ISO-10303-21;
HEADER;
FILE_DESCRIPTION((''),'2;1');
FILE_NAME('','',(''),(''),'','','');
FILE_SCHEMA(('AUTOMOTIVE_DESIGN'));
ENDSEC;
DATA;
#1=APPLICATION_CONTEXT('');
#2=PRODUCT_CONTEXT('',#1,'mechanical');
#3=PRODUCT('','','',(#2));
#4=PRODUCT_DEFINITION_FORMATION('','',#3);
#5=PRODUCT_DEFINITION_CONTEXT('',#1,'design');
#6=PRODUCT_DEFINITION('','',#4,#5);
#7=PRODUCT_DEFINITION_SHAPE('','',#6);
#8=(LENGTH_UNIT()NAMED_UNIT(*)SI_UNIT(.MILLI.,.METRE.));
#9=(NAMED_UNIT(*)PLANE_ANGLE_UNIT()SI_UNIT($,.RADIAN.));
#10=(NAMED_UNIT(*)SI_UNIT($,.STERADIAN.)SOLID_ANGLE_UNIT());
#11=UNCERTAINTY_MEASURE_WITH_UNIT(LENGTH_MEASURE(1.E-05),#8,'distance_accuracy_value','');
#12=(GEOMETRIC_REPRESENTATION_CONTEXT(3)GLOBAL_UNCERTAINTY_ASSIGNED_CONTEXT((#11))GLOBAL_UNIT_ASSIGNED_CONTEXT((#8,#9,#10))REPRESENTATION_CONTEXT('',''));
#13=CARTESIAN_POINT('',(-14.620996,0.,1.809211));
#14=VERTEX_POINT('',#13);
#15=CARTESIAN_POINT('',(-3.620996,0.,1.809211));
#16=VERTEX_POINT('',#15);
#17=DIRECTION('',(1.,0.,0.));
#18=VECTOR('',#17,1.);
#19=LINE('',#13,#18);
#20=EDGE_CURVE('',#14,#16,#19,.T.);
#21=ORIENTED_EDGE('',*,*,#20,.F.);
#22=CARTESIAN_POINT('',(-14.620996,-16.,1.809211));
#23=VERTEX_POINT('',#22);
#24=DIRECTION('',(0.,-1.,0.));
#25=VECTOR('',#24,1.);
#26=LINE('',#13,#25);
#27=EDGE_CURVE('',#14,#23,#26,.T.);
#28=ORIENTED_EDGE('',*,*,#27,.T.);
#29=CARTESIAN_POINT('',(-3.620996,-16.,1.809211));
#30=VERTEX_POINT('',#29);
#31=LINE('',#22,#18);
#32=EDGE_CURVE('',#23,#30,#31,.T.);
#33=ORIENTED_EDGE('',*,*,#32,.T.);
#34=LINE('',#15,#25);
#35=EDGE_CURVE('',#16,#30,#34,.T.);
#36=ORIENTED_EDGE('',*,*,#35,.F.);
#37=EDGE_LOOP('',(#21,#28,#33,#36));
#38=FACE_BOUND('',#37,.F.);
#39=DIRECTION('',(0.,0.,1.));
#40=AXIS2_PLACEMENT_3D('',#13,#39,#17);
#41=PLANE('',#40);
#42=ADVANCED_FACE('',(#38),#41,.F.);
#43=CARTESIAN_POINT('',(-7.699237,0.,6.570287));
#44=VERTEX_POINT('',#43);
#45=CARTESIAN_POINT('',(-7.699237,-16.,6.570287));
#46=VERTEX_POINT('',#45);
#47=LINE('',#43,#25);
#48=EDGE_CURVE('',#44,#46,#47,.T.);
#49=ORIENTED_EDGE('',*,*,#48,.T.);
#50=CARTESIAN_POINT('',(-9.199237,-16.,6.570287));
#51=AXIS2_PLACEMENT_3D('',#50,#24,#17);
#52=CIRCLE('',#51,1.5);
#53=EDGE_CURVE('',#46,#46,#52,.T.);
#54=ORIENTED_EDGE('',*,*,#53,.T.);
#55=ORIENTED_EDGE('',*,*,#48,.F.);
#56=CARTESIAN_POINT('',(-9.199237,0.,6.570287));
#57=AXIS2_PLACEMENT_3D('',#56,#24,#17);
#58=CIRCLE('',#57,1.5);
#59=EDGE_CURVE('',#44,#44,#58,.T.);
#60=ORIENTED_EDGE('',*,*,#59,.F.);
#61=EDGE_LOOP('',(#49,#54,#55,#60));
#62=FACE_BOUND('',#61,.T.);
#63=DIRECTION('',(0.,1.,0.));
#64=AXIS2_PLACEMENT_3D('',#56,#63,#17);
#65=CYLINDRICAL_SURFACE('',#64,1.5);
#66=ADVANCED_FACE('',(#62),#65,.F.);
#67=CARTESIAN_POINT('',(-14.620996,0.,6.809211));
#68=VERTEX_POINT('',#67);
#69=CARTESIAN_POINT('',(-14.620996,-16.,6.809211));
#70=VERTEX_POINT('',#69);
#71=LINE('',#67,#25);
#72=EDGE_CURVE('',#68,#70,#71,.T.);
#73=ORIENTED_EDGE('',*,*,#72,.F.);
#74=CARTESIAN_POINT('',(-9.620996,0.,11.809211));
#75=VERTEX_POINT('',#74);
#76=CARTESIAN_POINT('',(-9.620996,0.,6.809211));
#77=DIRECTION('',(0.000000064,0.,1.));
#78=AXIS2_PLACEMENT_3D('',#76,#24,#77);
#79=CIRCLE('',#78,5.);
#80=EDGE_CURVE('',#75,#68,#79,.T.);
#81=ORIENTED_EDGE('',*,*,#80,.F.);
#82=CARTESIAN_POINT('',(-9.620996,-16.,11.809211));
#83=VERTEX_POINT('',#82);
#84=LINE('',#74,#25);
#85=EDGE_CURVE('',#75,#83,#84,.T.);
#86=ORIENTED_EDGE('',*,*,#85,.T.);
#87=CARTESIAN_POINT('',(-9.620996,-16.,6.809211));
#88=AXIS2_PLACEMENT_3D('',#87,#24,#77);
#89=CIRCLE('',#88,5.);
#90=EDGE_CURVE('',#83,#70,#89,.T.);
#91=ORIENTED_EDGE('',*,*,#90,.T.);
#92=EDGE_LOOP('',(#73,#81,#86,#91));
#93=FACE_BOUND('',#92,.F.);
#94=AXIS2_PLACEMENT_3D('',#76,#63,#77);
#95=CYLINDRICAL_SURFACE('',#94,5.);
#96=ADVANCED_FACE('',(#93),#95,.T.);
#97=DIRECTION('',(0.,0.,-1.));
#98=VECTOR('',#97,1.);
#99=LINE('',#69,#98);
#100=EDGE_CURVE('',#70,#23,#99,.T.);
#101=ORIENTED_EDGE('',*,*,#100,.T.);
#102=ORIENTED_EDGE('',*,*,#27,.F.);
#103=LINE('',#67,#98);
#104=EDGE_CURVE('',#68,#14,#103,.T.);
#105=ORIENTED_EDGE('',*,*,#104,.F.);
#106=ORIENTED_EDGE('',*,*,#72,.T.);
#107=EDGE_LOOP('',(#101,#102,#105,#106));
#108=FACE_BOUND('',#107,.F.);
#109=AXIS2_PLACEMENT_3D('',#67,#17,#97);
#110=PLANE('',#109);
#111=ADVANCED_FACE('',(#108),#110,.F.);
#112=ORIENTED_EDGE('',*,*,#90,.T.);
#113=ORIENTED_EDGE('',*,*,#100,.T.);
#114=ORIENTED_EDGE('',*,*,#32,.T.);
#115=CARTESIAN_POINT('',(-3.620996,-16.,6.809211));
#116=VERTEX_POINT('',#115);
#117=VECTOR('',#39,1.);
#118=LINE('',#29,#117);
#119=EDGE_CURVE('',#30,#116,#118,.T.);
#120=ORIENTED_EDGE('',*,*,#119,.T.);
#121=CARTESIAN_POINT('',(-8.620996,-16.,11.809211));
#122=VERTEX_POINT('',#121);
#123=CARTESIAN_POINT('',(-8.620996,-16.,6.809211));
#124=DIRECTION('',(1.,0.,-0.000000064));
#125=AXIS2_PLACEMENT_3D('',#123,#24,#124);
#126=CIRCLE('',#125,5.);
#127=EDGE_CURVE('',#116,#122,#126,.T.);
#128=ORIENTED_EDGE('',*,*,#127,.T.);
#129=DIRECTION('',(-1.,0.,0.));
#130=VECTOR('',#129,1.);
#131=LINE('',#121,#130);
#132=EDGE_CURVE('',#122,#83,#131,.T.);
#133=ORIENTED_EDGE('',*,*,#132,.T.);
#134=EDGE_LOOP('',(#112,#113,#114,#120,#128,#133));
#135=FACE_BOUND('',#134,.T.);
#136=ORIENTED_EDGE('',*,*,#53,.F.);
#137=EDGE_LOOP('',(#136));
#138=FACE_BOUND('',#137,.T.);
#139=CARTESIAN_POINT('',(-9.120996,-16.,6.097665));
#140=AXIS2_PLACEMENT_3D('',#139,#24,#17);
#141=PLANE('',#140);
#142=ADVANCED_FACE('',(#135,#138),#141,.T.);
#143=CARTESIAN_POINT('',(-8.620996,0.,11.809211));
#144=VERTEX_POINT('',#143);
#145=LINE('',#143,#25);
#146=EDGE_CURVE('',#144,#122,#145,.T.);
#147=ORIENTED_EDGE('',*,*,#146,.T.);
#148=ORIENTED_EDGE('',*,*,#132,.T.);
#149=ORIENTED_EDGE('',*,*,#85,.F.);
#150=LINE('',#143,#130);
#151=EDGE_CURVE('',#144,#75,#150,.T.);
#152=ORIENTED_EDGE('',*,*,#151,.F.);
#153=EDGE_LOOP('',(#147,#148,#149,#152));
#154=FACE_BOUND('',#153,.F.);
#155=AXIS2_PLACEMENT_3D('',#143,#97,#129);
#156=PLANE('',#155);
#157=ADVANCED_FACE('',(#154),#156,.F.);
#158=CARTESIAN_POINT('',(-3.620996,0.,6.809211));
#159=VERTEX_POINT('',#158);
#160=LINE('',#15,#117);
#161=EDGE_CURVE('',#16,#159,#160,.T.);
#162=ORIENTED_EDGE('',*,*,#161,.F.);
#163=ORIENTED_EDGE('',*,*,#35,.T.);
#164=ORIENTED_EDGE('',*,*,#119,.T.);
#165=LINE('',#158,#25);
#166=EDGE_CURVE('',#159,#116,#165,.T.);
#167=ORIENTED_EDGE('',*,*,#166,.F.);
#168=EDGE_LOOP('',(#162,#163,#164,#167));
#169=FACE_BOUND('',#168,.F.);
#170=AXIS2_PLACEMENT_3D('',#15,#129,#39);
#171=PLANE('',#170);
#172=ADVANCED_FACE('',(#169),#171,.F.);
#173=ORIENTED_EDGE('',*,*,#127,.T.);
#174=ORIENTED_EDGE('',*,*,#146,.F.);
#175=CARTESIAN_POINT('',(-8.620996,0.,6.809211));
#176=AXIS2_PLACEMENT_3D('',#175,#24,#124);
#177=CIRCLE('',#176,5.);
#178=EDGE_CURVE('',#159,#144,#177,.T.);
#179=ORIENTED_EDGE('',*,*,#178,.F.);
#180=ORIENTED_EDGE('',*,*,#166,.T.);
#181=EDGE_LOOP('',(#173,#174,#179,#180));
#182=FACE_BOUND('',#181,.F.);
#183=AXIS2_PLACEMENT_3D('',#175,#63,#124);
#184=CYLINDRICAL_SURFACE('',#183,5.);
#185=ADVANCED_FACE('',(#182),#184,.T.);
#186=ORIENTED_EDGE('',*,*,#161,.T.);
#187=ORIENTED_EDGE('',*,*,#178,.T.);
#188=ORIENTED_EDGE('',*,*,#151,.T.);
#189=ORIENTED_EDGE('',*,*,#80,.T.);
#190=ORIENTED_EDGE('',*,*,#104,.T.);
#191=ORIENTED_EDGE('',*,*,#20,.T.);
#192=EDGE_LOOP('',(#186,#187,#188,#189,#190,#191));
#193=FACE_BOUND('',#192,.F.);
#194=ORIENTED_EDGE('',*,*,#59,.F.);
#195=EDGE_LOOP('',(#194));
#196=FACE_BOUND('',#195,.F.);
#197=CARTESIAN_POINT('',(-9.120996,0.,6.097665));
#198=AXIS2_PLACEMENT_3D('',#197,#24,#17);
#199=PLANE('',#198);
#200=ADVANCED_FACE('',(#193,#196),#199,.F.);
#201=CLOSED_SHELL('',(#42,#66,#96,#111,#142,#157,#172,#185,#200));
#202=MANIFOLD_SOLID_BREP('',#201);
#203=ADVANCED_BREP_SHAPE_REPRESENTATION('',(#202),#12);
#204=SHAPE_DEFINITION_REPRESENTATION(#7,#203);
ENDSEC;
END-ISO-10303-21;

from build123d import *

# Parameters (mm, degrees)
F0_R     = 1.5
F1_DEPTH = 16


with BuildPart() as f1:
    # F0 (on Front) → F1 (new body)
    with BuildSketch(Plane.XZ):
        with BuildLine():
            Line((-8.620996, 11.809211), (-9.620996, 11.809211))
            ThreePointArc((-9.620996, 11.809211), (-13.15653, 10.344745), (-14.620996, 6.809211))
            Line((-14.620996, 6.809211), (-14.620996, 1.809211))
            Line((-14.620996, 1.809211), (-3.620996, 1.809211))
            Line((-3.620996, 1.809211), (-3.620996, 6.809211))
            ThreePointArc((-3.620996, 6.809211), (-5.085462, 10.344745), (-8.620996, 11.809211))
        make_face()
        with Locations((-9.199237, 6.570287)):
            Circle(F0_R, mode=Mode.SUBTRACT)
    extrude(amount=F1_DEPTH)


solid = f1.part
